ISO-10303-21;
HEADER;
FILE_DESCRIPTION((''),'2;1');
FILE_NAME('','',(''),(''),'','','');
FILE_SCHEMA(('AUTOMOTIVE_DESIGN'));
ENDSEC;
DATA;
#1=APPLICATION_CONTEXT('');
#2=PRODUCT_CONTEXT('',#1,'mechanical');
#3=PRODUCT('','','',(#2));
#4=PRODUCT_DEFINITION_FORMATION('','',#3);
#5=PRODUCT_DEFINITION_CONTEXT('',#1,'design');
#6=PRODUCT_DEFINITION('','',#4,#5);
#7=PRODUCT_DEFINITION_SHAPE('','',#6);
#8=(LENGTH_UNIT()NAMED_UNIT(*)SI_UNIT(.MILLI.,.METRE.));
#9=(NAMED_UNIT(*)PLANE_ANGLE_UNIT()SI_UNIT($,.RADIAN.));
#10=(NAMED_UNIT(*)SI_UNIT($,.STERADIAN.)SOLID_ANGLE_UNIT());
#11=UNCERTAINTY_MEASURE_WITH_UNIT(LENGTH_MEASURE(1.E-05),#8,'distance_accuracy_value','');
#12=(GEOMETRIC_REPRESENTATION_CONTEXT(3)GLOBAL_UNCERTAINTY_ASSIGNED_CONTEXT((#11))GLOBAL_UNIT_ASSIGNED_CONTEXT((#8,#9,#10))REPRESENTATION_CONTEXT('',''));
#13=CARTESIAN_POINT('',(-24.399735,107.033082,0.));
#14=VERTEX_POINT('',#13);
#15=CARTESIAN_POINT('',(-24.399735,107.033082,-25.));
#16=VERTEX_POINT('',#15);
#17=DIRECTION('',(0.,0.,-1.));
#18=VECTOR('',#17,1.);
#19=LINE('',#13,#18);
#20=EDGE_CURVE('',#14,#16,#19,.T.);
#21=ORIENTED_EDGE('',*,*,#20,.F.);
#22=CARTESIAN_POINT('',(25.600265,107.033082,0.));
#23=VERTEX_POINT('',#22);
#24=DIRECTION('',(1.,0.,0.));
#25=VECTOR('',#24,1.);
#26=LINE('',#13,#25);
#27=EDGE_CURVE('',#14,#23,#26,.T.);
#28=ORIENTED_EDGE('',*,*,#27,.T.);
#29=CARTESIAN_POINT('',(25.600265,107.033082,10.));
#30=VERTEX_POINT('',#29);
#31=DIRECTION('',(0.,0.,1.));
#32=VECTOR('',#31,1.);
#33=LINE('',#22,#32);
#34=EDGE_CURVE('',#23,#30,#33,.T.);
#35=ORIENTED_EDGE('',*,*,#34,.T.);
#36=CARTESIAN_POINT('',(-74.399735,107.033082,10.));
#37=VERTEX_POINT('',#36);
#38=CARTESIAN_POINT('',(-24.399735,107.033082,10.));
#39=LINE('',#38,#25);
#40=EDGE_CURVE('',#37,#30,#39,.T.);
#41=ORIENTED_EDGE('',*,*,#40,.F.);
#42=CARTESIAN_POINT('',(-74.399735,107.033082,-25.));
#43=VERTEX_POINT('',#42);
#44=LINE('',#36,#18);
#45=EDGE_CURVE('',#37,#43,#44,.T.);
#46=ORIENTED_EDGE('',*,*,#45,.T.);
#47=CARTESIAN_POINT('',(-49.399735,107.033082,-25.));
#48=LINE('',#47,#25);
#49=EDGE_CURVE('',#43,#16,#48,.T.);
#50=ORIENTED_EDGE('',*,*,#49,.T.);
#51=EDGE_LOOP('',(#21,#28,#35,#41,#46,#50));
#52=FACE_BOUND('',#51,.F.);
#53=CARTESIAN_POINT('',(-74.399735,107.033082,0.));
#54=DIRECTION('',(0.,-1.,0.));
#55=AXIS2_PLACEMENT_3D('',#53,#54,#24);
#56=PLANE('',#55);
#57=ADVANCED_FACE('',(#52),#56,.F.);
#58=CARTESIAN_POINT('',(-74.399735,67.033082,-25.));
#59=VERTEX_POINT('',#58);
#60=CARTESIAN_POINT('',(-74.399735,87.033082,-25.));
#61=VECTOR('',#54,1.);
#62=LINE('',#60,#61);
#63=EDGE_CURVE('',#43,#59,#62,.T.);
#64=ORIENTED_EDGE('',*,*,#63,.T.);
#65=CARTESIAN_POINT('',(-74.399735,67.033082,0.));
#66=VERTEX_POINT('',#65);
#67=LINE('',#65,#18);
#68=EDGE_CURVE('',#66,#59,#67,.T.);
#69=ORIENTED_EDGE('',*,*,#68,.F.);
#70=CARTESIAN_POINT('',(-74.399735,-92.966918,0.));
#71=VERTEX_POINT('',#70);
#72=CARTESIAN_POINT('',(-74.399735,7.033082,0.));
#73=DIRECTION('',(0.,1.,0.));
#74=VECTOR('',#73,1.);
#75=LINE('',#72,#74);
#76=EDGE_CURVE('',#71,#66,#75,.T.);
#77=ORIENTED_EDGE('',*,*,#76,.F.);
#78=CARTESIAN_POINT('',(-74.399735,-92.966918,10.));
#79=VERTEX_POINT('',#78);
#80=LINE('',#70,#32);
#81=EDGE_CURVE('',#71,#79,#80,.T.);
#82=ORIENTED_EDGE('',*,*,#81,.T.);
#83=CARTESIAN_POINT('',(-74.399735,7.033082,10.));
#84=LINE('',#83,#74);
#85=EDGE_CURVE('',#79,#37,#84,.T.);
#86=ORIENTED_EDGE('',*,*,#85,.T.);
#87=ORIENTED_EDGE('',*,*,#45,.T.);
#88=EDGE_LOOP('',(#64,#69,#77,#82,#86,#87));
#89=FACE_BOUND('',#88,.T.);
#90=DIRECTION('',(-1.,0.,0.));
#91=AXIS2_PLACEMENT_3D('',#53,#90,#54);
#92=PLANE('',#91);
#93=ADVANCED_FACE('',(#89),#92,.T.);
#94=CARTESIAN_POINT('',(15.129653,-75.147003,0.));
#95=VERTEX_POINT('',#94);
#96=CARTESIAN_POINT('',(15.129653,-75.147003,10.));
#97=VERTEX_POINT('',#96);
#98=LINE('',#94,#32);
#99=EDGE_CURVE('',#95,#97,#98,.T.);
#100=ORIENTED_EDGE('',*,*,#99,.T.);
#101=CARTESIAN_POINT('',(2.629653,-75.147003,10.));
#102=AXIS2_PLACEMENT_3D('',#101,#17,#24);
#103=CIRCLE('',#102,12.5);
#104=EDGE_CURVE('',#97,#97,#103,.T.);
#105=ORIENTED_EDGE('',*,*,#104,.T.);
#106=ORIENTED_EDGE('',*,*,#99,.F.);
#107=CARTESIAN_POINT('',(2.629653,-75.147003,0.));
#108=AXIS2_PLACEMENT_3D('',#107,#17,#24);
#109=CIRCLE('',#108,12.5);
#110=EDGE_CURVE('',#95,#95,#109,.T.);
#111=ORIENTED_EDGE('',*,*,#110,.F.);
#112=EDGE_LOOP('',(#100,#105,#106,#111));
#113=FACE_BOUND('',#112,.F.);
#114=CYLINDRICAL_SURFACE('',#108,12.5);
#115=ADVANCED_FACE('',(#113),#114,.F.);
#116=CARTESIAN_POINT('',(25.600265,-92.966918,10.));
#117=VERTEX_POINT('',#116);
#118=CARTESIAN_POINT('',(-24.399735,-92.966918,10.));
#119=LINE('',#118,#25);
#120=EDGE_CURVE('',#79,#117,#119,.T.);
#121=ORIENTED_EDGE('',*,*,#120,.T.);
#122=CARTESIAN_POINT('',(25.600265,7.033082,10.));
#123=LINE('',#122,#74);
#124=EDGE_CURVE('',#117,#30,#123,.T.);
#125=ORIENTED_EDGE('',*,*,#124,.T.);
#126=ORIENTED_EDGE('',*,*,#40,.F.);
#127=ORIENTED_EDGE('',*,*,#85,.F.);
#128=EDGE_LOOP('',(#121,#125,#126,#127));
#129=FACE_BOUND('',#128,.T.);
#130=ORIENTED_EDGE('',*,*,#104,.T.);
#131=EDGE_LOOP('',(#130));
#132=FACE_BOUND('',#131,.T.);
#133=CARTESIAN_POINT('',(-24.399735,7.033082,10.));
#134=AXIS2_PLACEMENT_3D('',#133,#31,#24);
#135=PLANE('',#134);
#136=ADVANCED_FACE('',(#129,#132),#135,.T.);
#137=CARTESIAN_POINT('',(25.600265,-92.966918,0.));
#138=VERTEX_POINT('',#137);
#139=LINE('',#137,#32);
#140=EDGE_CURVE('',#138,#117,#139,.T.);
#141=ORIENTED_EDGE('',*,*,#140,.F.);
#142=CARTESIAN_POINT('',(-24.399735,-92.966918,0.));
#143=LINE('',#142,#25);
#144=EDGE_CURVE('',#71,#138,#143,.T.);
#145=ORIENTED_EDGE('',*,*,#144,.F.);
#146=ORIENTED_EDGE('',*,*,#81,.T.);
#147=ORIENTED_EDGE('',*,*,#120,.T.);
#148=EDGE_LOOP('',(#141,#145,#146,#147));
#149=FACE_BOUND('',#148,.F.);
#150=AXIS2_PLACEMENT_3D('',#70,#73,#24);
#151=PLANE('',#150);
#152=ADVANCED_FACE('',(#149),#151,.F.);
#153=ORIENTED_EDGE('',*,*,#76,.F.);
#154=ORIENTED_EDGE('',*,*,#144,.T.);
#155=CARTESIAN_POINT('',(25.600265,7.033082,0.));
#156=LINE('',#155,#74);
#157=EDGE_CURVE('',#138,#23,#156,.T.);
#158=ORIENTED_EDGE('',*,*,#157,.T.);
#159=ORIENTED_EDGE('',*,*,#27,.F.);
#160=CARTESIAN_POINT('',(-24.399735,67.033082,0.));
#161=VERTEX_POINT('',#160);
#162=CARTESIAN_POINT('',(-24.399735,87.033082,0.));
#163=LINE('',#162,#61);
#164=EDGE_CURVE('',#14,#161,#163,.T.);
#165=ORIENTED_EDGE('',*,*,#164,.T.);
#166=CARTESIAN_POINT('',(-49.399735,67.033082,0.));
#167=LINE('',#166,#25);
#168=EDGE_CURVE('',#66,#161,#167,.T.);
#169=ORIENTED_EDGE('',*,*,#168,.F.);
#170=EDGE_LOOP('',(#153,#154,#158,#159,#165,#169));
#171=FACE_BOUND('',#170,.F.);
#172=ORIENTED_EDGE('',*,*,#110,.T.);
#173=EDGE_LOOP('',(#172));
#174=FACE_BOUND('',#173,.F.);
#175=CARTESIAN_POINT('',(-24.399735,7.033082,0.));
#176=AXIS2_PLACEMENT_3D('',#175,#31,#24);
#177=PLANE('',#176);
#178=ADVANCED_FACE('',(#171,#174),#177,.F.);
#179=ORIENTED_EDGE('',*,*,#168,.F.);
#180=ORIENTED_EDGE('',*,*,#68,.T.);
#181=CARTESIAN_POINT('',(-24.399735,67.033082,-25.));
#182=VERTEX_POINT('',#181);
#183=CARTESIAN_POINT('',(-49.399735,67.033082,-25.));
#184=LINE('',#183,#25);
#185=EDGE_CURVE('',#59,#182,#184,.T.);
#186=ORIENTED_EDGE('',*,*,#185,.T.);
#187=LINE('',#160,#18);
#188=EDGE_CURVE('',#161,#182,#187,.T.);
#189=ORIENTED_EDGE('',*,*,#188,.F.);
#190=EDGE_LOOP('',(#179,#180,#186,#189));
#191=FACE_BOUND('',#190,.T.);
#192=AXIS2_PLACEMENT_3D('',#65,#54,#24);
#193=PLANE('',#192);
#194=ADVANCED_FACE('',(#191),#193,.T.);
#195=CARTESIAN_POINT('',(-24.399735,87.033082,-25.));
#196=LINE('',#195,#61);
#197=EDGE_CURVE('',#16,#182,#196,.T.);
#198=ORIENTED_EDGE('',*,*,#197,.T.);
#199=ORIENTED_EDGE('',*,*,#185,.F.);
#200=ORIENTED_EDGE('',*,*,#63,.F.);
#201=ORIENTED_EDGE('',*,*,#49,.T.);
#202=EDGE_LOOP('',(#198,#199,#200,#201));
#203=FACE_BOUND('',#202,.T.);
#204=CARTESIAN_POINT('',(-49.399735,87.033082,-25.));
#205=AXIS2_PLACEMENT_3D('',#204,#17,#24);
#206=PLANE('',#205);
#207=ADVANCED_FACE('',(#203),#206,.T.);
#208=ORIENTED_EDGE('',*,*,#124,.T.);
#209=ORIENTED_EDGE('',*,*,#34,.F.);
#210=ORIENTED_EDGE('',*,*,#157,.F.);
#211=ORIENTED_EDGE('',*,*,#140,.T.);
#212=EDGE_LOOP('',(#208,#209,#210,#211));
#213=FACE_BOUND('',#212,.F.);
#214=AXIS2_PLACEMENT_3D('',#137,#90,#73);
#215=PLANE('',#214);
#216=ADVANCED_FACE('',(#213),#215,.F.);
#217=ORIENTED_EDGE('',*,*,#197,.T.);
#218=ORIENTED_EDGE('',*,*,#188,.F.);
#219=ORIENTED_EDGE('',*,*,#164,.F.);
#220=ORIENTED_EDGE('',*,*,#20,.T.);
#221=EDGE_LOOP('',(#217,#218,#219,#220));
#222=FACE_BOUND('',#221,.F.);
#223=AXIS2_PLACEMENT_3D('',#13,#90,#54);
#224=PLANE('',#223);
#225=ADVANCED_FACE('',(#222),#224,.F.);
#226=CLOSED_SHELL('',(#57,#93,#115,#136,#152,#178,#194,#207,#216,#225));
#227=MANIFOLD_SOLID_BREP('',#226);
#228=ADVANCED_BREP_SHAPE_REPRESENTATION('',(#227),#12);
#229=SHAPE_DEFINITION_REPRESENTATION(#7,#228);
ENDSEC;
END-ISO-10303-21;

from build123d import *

# Parameters (mm, degrees)
F0_W     = 100
F0_H     = 200
F1_DEPTH = 10
F2_W     = 50
F2_H     = 40
F3_DEPTH = 25
F4_R     = 12.5
F5_DEPTH = 10.001


with BuildPart() as f1:
    # F0 (on Top) → F1 (new body)
    with BuildSketch(Plane.XY):
        with Locations((-24.399735, 7.033082)):
            Rectangle(F0_W, F0_H)
    extrude(amount=F1_DEPTH)

    # F2 (on face) → F3 (join)
    with BuildSketch(Plane(origin=(0, 0, 0), x_dir=(1, 0, 0), z_dir=(0, 0, -1))):
        with Locations((-49.399735, -87.033082)):
            Rectangle(F2_W, F2_H)
    extrude(amount=F3_DEPTH)

    # F4 (on face) → F5 (cut, through all)
    with BuildSketch(Plane(origin=(0, 0, 0), x_dir=(1, 0, 0), z_dir=(0, 0, -1))):
        with Locations((2.629653, 75.147003)):
            Circle(F4_R)
    extrude(amount=-F5_DEPTH, mode=Mode.SUBTRACT)


solid = f1.part
